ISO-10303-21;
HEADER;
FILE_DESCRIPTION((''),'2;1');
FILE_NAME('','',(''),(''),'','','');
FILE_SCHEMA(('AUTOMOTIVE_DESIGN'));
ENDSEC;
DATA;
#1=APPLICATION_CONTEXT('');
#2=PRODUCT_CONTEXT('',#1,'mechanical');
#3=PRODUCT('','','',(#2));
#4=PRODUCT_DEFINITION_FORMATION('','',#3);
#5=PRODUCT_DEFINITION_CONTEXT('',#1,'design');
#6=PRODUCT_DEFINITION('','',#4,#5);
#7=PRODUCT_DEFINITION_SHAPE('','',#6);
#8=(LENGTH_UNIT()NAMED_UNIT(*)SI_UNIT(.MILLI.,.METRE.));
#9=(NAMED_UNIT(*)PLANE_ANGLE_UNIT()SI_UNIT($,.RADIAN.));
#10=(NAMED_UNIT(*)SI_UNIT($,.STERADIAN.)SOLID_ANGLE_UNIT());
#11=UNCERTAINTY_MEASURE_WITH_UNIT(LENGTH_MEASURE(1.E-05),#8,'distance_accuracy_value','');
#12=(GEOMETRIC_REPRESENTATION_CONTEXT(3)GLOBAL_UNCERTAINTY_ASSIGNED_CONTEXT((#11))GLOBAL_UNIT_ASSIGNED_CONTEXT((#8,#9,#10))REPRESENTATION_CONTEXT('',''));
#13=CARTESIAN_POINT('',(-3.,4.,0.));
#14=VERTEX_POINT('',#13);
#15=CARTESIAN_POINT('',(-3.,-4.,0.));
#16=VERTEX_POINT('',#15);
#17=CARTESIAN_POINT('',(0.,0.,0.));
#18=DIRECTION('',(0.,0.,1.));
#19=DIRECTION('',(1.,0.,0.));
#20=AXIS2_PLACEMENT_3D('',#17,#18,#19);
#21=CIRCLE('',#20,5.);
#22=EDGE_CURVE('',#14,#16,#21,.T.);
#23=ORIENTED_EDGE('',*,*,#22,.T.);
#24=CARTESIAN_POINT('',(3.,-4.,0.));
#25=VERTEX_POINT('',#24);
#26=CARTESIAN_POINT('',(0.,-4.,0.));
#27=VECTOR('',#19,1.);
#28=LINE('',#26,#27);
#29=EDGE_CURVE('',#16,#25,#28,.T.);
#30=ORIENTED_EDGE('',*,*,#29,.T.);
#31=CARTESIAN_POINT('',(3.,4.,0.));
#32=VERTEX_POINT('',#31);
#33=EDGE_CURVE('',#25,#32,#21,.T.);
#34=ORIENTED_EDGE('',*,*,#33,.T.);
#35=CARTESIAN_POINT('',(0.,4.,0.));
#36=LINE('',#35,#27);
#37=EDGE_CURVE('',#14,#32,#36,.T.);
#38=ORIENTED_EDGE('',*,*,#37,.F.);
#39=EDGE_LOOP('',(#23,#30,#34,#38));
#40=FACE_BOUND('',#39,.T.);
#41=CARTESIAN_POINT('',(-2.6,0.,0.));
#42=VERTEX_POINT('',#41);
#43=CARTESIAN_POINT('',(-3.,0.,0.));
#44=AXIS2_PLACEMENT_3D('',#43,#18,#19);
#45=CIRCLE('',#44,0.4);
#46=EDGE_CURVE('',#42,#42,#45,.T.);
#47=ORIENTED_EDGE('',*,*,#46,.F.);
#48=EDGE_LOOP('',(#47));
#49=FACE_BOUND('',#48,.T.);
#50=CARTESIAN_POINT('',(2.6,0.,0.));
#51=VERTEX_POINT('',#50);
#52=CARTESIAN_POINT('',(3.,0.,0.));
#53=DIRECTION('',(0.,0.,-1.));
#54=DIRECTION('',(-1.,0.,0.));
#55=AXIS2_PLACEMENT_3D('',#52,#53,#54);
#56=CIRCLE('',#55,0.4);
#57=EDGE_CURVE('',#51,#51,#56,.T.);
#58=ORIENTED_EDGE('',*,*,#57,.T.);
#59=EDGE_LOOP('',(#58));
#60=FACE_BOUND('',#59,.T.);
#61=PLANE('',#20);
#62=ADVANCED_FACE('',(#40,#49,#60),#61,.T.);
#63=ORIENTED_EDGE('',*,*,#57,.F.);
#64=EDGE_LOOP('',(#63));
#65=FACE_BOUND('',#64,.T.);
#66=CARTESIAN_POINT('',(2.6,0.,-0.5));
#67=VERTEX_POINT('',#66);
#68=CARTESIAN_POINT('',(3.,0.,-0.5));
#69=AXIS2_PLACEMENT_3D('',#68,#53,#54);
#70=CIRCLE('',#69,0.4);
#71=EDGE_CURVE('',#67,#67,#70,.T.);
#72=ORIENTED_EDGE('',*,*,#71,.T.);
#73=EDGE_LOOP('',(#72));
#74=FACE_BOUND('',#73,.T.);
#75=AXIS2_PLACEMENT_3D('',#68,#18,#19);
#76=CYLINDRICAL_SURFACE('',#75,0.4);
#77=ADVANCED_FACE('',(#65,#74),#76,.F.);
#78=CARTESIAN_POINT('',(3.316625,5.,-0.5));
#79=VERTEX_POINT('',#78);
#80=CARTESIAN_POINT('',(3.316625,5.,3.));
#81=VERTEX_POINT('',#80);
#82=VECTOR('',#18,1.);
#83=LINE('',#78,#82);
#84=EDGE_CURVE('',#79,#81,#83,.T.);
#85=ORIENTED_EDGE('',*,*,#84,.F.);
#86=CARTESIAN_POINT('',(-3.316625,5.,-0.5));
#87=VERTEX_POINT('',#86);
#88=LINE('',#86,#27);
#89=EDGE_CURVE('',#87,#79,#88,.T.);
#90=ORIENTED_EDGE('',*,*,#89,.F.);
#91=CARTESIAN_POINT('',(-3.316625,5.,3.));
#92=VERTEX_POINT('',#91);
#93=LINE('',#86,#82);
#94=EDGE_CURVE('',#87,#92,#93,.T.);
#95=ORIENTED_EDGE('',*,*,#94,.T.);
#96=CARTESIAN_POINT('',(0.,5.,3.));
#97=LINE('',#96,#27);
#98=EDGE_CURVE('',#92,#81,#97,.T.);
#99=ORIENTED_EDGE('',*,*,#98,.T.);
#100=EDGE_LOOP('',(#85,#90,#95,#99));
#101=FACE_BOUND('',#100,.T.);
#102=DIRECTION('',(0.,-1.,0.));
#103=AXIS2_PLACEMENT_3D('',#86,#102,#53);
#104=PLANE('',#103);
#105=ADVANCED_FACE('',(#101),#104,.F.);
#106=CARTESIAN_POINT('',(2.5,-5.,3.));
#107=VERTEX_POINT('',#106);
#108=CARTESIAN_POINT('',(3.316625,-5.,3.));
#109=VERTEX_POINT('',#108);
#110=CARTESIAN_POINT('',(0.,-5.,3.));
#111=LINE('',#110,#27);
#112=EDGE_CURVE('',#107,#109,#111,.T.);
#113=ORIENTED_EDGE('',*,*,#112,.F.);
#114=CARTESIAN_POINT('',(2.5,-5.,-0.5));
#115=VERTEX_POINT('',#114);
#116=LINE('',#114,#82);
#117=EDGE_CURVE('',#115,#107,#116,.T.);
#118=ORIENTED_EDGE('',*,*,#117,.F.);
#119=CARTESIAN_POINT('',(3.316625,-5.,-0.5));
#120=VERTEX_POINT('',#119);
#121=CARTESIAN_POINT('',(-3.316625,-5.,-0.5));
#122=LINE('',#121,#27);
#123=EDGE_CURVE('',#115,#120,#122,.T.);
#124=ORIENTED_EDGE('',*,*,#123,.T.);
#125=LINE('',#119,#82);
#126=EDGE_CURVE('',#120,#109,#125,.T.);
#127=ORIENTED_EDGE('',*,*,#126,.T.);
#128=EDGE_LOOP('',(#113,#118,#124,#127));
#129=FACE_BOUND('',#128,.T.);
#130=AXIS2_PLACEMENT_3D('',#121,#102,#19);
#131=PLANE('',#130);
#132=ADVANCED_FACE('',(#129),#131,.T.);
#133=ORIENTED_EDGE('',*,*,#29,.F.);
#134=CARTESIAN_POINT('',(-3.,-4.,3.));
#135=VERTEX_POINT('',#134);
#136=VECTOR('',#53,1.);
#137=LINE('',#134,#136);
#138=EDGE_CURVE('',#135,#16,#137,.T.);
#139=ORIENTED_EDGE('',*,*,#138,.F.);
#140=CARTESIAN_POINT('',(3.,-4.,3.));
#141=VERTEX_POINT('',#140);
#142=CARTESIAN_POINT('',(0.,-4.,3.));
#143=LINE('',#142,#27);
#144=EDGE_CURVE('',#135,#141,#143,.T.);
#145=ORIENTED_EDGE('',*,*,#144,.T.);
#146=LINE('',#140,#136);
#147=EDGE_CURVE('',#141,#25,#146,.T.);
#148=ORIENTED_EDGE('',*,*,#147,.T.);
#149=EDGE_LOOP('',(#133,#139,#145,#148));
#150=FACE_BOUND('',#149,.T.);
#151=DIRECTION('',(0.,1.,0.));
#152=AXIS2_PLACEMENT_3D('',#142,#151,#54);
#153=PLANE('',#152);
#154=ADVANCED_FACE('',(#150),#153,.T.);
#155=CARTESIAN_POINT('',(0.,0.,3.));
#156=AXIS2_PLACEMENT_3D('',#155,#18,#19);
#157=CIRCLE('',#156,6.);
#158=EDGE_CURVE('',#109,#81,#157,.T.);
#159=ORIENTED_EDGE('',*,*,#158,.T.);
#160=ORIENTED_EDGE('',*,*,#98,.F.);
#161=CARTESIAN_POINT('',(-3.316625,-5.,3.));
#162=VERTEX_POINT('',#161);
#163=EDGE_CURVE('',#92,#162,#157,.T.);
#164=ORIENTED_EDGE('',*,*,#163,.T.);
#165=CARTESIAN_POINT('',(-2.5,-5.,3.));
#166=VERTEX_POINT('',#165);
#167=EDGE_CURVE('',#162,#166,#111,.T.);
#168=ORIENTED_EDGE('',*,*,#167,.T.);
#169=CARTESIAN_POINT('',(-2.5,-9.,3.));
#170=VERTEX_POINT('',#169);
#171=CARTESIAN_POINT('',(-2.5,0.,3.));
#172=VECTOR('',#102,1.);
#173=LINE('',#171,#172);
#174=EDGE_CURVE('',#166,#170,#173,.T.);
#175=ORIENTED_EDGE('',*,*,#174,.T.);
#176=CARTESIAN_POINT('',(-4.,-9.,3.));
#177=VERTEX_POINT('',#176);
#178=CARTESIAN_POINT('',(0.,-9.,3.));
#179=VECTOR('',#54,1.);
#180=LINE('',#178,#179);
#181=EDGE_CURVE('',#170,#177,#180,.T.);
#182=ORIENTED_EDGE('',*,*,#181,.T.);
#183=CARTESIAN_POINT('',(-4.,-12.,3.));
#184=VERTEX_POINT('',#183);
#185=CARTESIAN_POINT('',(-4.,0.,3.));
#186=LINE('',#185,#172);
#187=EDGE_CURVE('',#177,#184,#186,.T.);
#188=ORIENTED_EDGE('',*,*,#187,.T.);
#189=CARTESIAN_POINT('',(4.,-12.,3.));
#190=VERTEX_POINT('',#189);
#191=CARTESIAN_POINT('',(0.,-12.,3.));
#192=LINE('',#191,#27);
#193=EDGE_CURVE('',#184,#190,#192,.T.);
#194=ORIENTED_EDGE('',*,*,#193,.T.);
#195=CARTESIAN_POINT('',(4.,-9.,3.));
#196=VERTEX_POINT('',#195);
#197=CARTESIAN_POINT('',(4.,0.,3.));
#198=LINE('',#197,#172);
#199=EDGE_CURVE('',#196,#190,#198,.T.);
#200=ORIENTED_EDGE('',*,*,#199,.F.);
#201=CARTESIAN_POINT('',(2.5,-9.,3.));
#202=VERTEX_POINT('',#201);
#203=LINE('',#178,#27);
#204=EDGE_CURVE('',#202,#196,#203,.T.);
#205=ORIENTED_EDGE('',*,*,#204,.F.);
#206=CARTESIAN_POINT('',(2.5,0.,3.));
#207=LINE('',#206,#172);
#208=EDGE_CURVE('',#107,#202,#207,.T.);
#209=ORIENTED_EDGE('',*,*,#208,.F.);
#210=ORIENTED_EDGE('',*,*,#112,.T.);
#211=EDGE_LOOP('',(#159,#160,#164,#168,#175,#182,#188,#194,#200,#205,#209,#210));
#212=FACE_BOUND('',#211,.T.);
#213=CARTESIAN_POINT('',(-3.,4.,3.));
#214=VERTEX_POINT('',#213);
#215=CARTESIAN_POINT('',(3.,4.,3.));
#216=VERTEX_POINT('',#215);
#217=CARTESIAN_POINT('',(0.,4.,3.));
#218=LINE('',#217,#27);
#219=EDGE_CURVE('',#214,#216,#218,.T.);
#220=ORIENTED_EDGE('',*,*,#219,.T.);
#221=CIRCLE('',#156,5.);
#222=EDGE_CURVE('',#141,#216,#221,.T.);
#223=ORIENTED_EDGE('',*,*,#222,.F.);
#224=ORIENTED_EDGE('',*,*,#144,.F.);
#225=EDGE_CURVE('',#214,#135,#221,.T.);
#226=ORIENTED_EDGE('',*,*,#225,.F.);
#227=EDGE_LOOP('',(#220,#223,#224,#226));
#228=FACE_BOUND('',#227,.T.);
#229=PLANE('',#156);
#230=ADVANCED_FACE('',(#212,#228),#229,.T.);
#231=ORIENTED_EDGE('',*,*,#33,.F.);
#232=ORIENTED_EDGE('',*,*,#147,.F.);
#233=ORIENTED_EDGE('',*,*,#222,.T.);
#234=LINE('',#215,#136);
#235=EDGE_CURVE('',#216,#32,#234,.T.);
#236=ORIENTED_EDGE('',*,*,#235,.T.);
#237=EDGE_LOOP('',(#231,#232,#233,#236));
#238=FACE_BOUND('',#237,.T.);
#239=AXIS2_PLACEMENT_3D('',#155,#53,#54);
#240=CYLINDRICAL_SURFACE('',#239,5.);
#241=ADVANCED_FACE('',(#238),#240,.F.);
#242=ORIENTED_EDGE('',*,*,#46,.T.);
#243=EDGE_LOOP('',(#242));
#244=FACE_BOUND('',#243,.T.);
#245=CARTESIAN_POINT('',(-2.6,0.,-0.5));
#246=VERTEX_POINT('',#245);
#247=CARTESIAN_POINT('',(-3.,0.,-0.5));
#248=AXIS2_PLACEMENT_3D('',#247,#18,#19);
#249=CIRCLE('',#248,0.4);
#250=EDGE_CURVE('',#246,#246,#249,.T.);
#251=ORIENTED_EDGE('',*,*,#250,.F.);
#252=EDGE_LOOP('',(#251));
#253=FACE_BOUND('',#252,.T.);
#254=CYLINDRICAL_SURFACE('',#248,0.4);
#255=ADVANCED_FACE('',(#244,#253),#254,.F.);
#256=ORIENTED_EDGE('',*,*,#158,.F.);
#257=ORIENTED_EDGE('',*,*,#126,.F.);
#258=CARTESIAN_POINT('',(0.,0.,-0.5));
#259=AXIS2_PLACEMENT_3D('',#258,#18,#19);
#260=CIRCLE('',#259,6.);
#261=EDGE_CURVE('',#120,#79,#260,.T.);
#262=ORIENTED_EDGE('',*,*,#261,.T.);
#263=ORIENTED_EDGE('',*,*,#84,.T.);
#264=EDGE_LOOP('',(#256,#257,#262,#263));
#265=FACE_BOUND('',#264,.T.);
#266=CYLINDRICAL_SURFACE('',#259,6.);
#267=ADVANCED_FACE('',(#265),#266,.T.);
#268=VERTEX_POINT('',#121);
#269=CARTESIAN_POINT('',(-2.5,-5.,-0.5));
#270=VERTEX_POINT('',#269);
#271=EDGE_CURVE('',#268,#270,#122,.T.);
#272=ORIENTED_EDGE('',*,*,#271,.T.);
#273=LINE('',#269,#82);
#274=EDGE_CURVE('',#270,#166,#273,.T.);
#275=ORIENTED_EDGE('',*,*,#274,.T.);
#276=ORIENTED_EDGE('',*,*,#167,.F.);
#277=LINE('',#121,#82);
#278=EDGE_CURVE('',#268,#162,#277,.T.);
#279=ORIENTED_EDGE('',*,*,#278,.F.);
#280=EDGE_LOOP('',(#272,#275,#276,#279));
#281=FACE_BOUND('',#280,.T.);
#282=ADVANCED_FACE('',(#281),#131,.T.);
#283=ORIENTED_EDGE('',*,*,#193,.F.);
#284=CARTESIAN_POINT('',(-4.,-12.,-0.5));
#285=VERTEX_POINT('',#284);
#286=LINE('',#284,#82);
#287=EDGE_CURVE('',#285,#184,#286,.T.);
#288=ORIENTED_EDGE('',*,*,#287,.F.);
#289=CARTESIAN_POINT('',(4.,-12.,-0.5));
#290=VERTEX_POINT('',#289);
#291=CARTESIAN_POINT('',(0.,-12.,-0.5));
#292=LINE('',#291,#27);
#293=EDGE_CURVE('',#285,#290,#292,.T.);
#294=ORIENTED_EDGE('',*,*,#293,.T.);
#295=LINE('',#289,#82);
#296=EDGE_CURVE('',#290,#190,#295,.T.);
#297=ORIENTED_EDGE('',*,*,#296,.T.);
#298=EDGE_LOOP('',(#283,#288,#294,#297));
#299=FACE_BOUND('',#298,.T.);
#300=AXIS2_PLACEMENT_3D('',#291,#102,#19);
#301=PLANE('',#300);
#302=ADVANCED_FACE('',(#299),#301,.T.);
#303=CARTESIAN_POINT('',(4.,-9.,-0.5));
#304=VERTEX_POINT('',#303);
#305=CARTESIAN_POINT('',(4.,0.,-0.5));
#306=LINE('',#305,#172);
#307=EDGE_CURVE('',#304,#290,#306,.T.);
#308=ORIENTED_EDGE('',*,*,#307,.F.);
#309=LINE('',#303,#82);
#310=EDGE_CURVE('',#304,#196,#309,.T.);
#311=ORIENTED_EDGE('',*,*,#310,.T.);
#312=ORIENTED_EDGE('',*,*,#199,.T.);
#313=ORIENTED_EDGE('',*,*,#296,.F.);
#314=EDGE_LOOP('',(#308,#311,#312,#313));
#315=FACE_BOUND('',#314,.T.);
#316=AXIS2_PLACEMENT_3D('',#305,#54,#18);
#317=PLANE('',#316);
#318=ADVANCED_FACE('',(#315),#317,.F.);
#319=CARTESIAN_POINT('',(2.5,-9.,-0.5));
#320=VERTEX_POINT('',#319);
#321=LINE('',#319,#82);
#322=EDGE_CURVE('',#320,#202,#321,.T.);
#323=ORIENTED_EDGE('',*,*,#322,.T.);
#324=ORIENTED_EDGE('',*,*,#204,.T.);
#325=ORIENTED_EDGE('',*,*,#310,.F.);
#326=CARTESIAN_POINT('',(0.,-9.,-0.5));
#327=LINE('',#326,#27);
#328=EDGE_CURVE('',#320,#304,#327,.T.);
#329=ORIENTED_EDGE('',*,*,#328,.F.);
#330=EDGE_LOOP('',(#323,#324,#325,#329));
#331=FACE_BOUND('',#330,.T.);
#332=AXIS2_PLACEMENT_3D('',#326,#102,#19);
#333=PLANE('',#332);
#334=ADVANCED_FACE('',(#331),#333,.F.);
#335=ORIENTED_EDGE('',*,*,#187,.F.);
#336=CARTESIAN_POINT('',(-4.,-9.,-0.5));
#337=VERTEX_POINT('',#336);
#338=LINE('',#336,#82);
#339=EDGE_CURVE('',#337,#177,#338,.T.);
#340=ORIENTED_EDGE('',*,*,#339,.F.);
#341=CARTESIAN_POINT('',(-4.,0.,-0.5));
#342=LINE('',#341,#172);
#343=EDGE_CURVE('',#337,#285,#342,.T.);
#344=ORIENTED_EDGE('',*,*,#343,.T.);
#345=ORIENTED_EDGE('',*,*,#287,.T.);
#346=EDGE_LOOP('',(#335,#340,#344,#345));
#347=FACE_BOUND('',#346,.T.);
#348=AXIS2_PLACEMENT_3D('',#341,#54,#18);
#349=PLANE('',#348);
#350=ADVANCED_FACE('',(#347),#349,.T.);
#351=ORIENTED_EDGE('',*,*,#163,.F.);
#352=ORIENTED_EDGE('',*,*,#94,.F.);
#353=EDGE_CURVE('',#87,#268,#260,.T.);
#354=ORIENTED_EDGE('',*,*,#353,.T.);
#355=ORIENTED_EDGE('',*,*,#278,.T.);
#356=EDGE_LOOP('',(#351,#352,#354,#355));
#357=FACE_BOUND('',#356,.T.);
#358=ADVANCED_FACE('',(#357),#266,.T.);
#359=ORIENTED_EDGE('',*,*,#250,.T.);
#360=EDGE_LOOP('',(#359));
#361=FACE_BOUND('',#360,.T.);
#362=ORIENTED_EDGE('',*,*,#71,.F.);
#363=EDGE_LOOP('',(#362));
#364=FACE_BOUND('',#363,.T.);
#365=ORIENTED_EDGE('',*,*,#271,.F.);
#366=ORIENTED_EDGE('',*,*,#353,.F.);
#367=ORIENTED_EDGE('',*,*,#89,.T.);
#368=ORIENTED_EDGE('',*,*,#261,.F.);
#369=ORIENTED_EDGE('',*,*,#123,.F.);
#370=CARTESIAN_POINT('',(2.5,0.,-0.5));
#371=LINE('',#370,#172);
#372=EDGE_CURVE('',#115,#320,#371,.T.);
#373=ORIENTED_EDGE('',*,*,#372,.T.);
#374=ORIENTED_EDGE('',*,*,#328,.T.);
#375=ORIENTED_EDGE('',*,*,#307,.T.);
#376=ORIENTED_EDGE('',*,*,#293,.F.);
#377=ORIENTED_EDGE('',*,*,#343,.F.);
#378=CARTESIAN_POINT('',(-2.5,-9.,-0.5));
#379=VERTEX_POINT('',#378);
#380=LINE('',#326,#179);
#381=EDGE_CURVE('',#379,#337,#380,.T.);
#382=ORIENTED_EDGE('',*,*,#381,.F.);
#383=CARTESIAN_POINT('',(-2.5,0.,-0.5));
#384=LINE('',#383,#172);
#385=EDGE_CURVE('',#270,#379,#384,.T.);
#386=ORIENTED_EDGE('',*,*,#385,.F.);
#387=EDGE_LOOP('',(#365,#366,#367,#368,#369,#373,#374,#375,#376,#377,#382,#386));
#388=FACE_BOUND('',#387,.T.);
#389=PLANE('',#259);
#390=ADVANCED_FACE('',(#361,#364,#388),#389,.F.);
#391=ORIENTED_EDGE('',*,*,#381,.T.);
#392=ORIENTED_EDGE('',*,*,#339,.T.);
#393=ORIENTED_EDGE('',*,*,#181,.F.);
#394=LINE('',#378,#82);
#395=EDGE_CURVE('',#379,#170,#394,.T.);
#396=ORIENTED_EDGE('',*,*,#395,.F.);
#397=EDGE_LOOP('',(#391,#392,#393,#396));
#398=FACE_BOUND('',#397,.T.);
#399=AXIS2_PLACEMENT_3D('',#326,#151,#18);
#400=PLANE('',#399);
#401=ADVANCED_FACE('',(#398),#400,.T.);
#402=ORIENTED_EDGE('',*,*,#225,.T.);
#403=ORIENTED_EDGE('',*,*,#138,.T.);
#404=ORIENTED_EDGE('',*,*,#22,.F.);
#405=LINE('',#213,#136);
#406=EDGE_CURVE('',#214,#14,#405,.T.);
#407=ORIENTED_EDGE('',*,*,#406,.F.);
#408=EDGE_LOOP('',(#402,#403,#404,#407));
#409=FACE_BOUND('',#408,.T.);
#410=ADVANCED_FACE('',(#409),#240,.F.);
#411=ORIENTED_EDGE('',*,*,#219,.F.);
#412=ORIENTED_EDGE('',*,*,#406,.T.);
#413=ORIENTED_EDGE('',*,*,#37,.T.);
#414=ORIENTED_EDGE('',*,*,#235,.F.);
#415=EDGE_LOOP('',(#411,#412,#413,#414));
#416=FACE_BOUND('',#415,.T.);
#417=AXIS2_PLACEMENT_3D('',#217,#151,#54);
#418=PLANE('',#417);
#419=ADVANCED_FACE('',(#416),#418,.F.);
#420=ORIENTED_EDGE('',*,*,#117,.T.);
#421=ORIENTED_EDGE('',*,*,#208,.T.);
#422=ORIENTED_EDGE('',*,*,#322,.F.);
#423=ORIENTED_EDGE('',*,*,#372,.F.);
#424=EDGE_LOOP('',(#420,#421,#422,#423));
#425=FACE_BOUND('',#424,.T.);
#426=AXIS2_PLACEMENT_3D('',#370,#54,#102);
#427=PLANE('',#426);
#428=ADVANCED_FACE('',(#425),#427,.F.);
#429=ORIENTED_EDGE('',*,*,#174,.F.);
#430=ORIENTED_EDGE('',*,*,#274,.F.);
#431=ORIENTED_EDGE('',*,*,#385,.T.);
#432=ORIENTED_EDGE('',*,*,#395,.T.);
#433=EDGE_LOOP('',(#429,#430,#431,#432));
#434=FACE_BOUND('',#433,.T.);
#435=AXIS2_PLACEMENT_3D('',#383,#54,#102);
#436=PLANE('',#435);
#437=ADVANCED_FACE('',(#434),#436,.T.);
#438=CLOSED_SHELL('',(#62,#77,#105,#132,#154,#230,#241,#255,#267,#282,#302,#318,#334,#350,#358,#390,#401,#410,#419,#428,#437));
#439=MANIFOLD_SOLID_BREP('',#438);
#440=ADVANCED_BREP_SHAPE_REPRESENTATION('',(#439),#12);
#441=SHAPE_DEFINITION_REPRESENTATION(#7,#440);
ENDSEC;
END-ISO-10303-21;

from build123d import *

# Parameters (mm, degrees)
BOSS_EXTRU_1_DEPTH      = 0.5
BOSS_EXTRU_2_START      = 3
BOSS_EXTRU_2_DEPTH      = 3
ESQUISSE1_4_R           = 0.4
ENL_V_MAT_EXTRU_1_DEPTH = 9.366600265
BOSS_EXTRU_3_DEPTH      = 3
BOSS_EXTRU_3_DEPTH_BACK = 0.5


with BuildPart() as part:
    # Esquisse1 → Boss.-Extru.1 (new body)
    with BuildSketch(Plane.XY):
        with BuildLine():
            Line((-3.31662479, 5), (3.31662479, 5))
            ThreePointArc((3.31662479, 5), (6, 0), (3.31662479, -5))
            Line((3.31662479, -5), (-3.31662479, -5))
            ThreePointArc((-3.31662479, -5), (-6, 0), (-3.31662479, 5))
        make_face()
    extrude(amount=-BOSS_EXTRU_1_DEPTH)

    # Esquisse1_3 → Boss.-Extru.2 (add)
    with BuildSketch(Plane.XY.offset(BOSS_EXTRU_2_START)):
        with BuildLine():
            Line((3.31662479, 5), (-3.31662479, 5))
            ThreePointArc((-3.31662479, 5), (-6, 0), (-3.31662479, -5))
            Line((-3.31662479, -5), (-2.5, -5))
            Line((-2.5, -5), (2.5, -5))
            Line((2.5, -5), (3.31662479, -5))
            ThreePointArc((3.31662479, -5), (6, 0), (3.31662479, 5))
        make_face()
        with BuildLine():
            ThreePointArc((-3, -4), (-5, 0), (-3, 4))
            Line((-3, 4), (3, 4))
            ThreePointArc((3, 4), (5, 0), (3, -4))
            Line((3, -4), (-3, -4))
        make_face(mode=Mode.SUBTRACT)
    extrude(amount=-BOSS_EXTRU_2_DEPTH)

    # Esquisse1_4 → Enl_v. mat.-Extru.1 (cut, through all)
    with BuildSketch(Plane.XY):
        with Locations((-3, 0)):
            Circle(ESQUISSE1_4_R)
        with Locations((3, 0)):
            Circle(ESQUISSE1_4_R)
    extrude(amount=-ENL_V_MAT_EXTRU_1_DEPTH, mode=Mode.SUBTRACT)

    # Esquisse1_5 → Boss.-Extru.3 (add, two sides: drawn at the far end of the back side and taken through both)
    with BuildSketch(Plane.XY.offset(-BOSS_EXTRU_3_DEPTH_BACK)):
        Polygon((2.5, -5), (-2.5, -5), (-2.5, -9), (-4, -9), (-4, -12), (4, -12), (4, -9), (2.5, -9), align=None)
    extrude(amount=BOSS_EXTRU_3_DEPTH + BOSS_EXTRU_3_DEPTH_BACK)


solid = part.part
